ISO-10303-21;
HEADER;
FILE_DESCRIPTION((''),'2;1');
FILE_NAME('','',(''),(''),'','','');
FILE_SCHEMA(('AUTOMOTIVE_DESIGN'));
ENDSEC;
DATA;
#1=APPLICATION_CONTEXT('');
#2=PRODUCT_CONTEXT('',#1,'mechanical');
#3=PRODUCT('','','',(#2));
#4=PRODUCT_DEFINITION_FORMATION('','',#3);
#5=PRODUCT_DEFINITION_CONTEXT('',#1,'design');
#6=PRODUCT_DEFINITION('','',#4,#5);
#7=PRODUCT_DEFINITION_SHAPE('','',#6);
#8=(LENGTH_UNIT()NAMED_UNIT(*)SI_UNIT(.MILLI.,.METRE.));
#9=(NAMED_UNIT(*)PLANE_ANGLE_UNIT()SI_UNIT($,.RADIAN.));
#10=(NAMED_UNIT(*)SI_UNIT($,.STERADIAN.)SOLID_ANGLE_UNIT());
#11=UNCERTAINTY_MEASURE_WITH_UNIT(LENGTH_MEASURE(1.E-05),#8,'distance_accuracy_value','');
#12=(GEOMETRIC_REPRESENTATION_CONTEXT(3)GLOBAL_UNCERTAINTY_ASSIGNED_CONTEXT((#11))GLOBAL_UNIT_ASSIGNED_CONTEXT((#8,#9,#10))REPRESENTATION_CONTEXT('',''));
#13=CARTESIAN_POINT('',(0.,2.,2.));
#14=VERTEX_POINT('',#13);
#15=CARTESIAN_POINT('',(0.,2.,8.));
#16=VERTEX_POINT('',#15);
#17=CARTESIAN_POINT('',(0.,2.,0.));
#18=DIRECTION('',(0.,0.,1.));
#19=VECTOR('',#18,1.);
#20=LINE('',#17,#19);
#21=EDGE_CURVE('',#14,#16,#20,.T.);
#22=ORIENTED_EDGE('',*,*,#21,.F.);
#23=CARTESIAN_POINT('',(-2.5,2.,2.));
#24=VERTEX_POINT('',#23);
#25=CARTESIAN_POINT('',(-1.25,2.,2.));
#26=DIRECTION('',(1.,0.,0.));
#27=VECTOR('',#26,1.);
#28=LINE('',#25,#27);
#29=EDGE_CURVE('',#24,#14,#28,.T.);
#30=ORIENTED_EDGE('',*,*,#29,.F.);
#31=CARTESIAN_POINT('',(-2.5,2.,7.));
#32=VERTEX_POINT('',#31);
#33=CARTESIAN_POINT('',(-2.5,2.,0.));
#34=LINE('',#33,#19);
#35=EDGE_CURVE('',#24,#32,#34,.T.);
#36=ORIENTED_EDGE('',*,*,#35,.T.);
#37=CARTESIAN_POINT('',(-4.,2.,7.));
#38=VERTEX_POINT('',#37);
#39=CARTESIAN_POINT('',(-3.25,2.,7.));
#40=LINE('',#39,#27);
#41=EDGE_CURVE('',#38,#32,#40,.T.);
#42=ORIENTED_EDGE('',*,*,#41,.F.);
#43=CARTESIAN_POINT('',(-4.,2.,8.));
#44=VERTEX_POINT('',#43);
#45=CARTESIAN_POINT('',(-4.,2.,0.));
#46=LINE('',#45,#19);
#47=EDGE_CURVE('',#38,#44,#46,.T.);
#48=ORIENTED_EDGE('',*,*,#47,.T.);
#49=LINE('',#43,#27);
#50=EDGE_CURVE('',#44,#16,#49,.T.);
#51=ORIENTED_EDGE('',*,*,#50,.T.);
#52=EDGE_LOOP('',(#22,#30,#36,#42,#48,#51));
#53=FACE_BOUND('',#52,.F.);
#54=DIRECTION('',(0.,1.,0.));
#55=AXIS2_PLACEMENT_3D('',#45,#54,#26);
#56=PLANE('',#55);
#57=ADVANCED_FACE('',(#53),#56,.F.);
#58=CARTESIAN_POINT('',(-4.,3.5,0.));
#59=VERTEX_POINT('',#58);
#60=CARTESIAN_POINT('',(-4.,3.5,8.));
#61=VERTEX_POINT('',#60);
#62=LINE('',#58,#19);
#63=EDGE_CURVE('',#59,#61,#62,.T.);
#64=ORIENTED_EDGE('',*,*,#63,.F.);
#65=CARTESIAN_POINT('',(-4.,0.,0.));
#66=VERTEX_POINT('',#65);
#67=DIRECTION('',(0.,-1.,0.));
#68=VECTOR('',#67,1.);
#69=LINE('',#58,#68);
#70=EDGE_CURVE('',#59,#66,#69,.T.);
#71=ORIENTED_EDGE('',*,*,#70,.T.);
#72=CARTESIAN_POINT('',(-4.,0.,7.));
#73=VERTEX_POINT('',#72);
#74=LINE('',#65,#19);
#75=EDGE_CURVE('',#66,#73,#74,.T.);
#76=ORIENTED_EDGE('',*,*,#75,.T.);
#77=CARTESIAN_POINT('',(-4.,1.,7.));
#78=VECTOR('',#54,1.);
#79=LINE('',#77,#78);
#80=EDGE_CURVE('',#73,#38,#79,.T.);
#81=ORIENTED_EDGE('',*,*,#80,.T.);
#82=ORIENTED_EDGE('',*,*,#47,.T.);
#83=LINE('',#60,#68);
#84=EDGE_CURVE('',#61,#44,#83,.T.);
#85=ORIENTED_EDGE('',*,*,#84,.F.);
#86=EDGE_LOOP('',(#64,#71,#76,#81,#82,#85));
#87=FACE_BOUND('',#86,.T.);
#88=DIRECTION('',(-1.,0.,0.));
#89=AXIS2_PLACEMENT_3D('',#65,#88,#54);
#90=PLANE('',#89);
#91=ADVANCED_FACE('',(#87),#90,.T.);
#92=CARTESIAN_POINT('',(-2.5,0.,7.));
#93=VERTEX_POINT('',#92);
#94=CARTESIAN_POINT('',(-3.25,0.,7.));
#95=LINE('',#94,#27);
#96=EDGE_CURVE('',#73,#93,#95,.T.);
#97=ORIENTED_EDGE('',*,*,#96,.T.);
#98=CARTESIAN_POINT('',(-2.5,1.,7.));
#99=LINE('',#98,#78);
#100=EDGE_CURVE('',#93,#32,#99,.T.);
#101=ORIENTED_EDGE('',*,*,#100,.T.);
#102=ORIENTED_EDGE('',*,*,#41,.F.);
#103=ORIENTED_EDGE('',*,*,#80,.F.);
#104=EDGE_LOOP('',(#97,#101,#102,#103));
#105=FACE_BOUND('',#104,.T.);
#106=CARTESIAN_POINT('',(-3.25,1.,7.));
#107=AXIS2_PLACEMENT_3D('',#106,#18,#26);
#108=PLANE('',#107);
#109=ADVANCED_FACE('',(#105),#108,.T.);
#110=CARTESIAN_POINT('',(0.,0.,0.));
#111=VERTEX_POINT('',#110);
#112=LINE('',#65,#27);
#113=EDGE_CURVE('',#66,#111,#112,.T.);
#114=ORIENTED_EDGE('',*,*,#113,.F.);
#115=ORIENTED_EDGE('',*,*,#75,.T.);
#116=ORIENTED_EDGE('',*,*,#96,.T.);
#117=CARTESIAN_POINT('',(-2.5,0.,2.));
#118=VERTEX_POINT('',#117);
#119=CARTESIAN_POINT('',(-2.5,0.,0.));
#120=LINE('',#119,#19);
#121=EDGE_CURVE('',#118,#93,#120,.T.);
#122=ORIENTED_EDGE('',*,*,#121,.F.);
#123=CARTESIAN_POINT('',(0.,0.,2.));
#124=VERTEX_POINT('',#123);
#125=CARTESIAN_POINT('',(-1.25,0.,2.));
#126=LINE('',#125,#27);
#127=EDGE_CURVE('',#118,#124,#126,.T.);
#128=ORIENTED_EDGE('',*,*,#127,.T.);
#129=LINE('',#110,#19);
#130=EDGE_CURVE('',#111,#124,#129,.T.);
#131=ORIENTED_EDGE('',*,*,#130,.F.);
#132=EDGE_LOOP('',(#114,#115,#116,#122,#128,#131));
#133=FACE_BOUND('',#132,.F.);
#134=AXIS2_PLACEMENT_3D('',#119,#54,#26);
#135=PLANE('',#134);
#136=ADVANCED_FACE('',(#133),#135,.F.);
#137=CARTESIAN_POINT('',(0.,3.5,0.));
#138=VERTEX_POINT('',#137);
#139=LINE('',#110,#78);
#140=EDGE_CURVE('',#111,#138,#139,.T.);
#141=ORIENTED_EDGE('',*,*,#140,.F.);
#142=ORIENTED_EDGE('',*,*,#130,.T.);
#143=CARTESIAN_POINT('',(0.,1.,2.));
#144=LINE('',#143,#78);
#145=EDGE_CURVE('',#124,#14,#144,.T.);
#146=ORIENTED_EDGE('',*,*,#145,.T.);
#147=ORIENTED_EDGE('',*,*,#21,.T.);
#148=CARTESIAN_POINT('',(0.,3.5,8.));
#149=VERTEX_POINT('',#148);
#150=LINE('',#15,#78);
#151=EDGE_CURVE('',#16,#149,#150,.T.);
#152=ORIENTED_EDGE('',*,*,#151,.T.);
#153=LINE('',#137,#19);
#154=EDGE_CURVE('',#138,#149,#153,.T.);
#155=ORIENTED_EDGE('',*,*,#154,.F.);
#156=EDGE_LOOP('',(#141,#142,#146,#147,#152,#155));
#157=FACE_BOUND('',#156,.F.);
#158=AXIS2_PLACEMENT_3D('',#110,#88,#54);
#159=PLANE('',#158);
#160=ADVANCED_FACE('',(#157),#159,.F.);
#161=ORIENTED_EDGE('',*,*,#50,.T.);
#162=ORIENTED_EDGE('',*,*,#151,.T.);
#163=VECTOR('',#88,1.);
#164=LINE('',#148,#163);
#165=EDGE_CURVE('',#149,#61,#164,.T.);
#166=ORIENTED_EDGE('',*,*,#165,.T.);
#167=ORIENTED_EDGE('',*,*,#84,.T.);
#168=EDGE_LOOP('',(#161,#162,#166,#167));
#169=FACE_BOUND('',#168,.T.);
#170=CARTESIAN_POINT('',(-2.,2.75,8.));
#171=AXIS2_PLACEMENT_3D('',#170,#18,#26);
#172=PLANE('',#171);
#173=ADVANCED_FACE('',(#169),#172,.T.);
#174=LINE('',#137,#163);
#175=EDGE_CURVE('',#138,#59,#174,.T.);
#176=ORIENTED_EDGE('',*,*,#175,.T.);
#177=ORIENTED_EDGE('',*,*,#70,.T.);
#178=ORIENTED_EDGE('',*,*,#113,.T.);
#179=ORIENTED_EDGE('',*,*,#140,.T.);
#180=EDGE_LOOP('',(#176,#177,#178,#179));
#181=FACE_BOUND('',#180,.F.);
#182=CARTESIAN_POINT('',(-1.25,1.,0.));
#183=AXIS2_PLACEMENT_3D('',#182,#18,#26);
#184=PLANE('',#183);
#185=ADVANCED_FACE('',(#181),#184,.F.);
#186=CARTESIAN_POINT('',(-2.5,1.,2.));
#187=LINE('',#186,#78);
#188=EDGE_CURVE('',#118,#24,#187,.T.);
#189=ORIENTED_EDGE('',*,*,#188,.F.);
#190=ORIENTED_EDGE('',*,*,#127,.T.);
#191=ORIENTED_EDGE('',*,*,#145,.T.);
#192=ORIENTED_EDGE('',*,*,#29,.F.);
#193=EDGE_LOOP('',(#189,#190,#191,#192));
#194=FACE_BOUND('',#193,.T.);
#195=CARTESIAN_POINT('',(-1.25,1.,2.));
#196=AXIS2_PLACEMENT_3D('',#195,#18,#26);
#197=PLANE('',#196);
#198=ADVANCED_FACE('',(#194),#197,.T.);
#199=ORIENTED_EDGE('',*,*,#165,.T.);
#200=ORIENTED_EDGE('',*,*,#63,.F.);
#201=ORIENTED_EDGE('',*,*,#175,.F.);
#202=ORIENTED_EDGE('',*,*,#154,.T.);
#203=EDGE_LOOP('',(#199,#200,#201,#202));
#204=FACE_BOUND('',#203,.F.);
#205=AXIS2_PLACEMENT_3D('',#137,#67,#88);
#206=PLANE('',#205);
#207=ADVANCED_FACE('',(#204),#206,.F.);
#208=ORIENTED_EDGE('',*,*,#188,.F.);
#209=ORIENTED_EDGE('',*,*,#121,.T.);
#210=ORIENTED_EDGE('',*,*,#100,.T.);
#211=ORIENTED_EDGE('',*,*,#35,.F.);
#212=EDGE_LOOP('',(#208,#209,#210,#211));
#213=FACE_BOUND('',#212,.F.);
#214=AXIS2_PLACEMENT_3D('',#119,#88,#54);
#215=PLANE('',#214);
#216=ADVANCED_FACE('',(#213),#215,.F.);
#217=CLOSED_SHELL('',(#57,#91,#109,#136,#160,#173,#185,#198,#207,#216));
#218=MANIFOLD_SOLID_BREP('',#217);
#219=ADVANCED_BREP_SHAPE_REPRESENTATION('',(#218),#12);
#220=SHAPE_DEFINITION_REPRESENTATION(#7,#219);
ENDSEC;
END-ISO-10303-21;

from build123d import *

# Parameters (mm, degrees)
F1_DEPTH = 8
F0_W     = 1.5
F0_H     = 2
F2_DEPTH = 7
F0_W_2   = 2.5
F3_DEPTH = 2


with BuildPart() as f1:
    # F0 (on Top) → F1 (new body)
    with BuildSketch(Plane.XY):
        Polygon((-2.5, 2), (0, 2), (0, 3.5), (-4, 3.5), (-4, 2), align=None)
    extrude(amount=F1_DEPTH)

    # F0 (on Top) → F2 (join)
    with BuildSketch(Plane.XY):
        with Locations((-3.25, 1)):
            Rectangle(F0_W, F0_H)
    extrude(amount=F2_DEPTH)

    # F0 (on Top) → F3 (join)
    with BuildSketch(Plane.XY):
        with Locations((-1.25, 1)):
            Rectangle(F0_W_2, F0_H)
    extrude(amount=F3_DEPTH)


solid = f1.part
